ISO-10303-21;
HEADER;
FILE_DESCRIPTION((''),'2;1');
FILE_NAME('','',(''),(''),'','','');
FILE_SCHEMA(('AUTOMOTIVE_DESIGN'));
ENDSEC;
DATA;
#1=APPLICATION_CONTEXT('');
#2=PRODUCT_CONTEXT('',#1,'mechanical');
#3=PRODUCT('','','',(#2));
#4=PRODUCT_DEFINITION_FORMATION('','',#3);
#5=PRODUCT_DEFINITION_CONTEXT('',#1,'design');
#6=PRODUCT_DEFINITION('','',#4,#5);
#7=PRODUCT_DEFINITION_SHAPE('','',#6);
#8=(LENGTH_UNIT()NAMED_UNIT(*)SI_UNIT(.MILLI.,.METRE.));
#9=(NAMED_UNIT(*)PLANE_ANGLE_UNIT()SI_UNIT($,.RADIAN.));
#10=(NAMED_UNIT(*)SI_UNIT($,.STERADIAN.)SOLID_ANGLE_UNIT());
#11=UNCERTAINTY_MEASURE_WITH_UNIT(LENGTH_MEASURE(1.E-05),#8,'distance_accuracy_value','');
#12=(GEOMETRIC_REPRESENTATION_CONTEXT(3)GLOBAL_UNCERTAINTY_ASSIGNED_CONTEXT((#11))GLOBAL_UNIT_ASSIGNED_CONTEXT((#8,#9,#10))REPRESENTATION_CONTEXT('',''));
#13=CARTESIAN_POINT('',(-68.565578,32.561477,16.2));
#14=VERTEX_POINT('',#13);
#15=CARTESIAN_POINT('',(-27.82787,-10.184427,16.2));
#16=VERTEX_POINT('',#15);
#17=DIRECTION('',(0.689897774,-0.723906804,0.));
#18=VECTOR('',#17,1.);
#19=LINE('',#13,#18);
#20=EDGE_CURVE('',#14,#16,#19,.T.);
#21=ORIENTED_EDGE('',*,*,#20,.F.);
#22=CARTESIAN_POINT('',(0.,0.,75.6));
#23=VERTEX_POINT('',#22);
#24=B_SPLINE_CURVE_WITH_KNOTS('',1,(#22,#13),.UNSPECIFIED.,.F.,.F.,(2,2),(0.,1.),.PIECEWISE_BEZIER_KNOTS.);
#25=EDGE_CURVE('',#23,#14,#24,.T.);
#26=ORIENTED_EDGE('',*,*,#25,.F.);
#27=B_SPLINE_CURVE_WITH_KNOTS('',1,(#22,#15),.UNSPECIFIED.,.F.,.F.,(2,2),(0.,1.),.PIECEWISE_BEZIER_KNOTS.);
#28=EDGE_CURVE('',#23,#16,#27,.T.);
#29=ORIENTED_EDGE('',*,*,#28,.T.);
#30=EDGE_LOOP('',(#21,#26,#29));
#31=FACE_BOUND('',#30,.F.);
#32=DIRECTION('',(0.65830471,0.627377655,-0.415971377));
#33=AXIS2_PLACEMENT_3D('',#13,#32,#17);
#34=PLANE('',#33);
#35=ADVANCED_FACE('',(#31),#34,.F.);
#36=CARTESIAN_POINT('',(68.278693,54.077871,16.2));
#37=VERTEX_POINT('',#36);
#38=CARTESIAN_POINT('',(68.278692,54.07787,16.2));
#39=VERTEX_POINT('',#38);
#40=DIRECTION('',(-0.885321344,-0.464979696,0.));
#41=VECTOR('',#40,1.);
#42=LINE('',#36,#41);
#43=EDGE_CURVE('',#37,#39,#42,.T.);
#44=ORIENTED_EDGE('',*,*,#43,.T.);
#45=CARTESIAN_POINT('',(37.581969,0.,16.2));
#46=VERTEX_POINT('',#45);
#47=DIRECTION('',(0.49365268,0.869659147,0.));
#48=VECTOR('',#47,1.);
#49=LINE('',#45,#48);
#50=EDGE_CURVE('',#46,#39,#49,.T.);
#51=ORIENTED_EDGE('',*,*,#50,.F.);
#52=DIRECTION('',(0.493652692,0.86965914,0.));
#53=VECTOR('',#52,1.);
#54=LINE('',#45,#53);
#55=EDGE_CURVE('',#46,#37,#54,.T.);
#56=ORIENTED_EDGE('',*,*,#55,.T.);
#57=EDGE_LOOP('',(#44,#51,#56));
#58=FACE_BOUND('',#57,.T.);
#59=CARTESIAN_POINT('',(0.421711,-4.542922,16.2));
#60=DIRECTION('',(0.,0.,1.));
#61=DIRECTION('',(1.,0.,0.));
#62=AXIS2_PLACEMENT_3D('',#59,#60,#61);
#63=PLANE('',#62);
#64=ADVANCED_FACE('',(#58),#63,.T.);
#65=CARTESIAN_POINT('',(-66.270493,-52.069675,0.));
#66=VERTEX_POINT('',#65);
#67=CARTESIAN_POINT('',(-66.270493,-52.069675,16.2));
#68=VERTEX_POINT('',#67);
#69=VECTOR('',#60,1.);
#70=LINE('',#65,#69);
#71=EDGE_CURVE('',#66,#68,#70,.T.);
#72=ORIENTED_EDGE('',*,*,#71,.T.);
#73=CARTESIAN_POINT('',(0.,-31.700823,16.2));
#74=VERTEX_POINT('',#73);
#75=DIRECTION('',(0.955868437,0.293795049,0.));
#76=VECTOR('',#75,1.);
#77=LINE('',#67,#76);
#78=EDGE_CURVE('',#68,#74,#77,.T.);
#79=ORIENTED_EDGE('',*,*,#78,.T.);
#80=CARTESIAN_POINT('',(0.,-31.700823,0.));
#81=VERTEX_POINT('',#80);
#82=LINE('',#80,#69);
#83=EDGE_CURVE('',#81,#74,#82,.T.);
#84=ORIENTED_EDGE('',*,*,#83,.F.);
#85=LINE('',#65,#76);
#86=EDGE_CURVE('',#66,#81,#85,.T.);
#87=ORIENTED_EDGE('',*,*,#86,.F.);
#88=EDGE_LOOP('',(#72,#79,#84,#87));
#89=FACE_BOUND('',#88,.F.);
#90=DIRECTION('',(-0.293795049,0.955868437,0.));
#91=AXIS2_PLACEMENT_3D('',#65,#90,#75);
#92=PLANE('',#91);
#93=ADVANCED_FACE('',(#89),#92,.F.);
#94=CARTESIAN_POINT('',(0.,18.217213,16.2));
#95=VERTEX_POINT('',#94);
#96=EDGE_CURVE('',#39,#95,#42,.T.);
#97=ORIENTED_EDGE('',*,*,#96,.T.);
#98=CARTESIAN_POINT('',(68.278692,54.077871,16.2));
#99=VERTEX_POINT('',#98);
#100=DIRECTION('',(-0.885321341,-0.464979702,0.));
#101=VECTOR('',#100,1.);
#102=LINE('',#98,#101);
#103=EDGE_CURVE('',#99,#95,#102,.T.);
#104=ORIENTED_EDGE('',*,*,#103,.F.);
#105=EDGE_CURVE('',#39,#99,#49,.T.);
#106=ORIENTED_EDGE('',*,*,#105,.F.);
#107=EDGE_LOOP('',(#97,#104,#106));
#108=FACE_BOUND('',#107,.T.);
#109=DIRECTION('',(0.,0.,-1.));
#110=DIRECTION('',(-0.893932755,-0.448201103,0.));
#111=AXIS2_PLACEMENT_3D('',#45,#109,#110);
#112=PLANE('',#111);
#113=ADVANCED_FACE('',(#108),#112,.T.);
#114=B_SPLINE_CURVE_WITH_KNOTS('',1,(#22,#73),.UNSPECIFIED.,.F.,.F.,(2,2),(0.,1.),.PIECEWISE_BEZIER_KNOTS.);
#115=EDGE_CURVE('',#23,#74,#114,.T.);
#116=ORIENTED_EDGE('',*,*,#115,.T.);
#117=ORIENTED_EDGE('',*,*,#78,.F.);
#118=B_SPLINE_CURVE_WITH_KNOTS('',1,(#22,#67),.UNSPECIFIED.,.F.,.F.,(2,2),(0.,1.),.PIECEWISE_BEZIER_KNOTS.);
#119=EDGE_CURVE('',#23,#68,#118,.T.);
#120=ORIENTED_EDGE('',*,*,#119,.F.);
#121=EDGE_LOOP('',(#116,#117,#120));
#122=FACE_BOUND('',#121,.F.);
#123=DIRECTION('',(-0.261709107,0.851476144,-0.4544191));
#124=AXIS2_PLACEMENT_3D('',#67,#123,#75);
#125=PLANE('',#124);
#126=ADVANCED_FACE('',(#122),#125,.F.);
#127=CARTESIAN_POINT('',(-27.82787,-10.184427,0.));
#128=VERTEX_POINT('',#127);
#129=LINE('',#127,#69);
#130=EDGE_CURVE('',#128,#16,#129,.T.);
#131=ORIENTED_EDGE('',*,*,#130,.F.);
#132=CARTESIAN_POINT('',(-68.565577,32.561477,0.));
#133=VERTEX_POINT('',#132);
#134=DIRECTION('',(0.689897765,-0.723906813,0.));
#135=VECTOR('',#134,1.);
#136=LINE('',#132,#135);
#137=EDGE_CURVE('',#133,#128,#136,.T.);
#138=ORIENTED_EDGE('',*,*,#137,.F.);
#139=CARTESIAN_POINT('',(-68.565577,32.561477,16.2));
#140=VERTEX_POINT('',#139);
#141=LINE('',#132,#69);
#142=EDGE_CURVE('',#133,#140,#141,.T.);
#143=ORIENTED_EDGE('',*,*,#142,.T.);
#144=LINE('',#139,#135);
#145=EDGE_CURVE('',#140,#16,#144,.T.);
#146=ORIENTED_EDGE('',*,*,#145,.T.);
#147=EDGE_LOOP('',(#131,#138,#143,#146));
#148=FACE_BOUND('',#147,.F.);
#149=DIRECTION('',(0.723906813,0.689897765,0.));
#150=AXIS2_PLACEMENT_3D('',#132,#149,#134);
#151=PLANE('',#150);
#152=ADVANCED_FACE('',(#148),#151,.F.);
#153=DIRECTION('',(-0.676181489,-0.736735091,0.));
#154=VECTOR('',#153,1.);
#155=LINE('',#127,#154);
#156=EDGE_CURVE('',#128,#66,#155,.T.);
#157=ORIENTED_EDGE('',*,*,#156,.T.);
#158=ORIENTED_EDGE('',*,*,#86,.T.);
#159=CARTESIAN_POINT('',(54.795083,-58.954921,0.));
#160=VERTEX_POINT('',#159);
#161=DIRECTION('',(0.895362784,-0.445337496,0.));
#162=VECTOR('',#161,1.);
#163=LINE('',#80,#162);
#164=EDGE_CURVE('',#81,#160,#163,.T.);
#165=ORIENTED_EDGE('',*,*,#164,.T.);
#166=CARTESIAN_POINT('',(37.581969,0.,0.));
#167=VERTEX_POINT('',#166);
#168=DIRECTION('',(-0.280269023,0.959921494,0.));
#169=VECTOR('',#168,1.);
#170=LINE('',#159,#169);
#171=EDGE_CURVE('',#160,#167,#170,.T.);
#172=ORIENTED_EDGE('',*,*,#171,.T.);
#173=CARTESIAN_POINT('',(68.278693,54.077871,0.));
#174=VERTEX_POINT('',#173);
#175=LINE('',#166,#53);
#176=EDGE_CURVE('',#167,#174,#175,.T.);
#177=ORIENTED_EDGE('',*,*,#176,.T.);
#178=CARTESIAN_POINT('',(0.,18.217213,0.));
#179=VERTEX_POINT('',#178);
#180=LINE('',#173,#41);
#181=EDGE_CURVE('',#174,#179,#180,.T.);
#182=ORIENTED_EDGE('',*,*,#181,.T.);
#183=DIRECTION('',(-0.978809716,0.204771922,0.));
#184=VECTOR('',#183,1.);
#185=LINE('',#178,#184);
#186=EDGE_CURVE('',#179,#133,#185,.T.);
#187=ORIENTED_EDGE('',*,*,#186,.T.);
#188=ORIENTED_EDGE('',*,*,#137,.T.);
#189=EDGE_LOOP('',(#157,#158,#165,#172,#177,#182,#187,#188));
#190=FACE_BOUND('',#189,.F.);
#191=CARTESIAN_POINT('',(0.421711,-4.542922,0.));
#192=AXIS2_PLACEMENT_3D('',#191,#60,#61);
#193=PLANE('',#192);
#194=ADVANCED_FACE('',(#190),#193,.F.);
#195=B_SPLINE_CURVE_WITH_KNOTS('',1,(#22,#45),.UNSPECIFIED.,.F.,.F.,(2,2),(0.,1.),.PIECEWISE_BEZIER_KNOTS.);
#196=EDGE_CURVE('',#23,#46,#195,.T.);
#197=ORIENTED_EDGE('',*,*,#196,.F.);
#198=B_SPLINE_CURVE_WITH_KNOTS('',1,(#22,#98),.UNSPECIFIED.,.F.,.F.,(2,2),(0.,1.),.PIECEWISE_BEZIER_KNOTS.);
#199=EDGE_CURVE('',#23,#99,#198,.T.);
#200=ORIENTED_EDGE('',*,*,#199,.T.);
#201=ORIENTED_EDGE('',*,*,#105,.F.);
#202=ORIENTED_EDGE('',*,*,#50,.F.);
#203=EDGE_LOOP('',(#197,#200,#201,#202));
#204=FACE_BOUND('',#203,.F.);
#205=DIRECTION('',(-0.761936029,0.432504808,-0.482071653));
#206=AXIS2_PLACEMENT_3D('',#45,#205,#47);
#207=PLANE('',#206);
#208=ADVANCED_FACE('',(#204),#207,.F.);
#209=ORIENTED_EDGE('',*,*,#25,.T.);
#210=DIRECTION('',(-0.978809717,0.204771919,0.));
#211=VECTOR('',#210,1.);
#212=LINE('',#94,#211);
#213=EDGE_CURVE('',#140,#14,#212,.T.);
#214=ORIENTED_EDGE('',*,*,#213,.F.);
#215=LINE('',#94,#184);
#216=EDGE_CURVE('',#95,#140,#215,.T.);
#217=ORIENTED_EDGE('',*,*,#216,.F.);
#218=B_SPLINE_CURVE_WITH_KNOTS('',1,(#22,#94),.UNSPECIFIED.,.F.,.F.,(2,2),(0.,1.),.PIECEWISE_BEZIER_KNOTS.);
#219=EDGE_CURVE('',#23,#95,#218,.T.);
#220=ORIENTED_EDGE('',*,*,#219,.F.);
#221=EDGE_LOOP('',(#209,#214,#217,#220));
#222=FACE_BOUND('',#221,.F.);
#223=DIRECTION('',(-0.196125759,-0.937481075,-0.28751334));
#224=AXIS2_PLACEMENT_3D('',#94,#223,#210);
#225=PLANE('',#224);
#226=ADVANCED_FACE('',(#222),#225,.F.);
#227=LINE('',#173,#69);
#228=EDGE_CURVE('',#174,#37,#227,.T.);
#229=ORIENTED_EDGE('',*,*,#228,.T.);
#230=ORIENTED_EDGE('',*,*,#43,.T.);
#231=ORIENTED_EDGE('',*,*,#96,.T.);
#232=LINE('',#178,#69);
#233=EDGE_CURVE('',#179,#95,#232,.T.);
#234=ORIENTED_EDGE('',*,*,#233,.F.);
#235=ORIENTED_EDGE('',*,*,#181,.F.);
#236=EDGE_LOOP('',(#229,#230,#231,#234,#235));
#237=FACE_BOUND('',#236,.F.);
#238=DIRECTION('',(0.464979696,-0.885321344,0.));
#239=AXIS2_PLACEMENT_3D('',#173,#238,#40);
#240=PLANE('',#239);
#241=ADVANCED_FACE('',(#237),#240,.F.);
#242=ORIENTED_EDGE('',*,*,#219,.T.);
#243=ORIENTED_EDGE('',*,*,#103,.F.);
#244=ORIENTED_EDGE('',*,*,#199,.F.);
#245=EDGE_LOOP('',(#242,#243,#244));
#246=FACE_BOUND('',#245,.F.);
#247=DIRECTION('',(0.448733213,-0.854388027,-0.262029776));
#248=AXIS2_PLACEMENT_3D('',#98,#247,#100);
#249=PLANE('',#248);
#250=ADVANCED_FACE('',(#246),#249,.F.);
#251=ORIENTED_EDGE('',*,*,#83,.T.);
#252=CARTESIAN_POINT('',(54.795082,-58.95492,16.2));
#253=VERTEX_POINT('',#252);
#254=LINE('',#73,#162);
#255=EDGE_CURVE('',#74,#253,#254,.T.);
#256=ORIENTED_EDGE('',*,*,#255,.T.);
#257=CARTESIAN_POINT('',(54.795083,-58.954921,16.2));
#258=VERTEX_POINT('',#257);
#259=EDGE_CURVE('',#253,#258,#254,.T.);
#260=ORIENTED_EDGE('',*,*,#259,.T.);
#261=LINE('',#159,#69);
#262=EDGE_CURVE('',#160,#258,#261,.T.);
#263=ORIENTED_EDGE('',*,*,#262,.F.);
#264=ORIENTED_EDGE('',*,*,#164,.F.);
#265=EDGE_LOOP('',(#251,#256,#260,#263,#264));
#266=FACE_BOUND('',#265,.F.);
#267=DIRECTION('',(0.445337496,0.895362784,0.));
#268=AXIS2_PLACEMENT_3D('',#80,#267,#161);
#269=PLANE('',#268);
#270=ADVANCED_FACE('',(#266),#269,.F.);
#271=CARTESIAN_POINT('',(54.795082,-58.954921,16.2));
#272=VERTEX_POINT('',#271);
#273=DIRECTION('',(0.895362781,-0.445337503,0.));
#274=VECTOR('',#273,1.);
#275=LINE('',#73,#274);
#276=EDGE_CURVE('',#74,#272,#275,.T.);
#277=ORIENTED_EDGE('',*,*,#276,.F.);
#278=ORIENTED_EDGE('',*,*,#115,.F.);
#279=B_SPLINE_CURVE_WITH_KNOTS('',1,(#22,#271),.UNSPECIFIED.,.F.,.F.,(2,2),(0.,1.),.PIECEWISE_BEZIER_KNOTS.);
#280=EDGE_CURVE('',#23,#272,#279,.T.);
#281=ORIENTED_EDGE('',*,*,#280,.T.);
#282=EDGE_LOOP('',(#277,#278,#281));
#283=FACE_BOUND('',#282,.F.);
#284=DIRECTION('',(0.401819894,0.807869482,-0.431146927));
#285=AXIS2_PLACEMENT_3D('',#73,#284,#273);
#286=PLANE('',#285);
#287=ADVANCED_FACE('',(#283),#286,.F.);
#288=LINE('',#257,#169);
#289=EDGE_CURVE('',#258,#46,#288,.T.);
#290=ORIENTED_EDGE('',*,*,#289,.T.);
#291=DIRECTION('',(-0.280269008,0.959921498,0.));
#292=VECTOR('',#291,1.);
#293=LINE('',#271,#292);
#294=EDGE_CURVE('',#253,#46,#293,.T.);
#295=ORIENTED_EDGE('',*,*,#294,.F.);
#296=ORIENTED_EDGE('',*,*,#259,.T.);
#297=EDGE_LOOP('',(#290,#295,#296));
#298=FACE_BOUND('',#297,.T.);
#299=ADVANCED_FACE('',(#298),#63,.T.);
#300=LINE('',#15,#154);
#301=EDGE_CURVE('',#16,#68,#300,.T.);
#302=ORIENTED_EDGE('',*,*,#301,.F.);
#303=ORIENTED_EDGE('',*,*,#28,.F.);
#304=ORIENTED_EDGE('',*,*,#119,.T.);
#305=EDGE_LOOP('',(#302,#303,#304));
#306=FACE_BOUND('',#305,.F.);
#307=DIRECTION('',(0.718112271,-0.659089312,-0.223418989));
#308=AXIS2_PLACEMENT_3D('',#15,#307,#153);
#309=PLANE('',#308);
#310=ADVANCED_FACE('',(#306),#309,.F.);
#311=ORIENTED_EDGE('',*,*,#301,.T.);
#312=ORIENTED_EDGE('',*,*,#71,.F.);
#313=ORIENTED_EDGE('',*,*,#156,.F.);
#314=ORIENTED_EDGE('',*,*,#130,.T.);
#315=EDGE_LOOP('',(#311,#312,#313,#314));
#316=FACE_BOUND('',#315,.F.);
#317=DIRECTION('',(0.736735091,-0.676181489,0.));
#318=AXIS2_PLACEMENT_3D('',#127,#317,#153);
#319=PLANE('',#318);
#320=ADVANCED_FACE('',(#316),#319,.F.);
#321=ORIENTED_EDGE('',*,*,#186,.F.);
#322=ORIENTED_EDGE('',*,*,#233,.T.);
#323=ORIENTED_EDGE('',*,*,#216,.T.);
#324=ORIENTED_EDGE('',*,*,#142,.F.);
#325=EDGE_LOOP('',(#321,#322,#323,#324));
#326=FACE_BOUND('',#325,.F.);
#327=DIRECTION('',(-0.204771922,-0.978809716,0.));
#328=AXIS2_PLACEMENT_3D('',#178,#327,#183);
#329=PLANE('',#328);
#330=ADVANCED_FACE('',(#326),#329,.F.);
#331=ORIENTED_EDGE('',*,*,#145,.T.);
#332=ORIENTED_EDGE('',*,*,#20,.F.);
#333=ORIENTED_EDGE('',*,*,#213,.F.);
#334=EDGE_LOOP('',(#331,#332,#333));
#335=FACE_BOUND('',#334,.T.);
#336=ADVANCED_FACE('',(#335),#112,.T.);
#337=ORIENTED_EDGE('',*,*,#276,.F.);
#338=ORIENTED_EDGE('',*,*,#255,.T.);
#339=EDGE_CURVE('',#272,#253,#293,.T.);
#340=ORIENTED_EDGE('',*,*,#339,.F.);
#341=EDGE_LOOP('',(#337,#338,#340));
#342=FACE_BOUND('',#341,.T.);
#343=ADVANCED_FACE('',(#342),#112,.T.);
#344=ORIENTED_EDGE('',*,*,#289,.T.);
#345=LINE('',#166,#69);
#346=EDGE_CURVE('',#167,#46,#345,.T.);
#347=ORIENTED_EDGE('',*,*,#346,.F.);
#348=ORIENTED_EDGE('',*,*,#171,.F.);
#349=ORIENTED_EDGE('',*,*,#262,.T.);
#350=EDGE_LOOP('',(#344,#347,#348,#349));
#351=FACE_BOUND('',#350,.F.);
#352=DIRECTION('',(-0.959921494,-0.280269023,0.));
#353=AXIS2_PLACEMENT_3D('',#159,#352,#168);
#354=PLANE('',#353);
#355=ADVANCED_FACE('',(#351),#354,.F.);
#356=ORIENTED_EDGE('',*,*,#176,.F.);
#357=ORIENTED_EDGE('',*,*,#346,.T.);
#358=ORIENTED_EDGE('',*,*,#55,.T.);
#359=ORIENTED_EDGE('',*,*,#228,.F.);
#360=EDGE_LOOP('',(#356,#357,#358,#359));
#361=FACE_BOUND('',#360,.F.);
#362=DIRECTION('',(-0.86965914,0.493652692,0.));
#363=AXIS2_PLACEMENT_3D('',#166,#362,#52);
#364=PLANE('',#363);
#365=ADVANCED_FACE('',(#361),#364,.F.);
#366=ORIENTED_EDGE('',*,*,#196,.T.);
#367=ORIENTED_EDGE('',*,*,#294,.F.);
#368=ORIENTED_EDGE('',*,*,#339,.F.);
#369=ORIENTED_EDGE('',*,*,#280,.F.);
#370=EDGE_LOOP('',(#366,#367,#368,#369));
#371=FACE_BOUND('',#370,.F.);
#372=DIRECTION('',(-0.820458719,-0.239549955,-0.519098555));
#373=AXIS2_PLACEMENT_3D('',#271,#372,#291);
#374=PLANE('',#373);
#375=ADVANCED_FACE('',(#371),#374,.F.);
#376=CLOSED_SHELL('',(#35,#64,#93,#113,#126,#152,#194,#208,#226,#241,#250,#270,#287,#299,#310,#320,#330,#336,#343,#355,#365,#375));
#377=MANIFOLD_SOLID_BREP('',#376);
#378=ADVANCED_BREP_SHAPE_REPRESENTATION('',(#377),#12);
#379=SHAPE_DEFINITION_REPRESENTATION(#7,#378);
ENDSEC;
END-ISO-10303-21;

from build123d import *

# Parameters (mm, degrees)
F1_DEPTH = 16.2


with BuildPart() as f1:
    # F0 (on Top) → F1 (new body)
    with BuildSketch(Plane.XY):
        Polygon((0, 18.217213), (-68.565577, 32.561477), (-27.82787, -10.184427), (-66.270493, -52.069675), (0, -31.700823), (54.795083, -58.954921), (37.581969, 0), (68.278693, 54.077871), align=None)
    extrude(amount=F1_DEPTH)

    # F1_face (on face) → F4 section 0
    with BuildSketch(Plane(origin=(3.79635, -5.482497, 16.2), x_dir=(1, 0, 0), z_dir=(0, 0, 1)), mode=Mode.PRIVATE) as f4_s0:
        Polygon((33.785619, 5.482497), (64.482342, 59.560368), (-3.79635, 23.69971), (-72.361928, 38.043974), (-31.62422, -4.70193), (-70.066843, -46.587178), (-3.79635, -26.218326), (50.998732, -53.472424), align=None)
    loft([Vertex(0, 0, 75.6), f4_s0.sketch])


solid = f1.part
